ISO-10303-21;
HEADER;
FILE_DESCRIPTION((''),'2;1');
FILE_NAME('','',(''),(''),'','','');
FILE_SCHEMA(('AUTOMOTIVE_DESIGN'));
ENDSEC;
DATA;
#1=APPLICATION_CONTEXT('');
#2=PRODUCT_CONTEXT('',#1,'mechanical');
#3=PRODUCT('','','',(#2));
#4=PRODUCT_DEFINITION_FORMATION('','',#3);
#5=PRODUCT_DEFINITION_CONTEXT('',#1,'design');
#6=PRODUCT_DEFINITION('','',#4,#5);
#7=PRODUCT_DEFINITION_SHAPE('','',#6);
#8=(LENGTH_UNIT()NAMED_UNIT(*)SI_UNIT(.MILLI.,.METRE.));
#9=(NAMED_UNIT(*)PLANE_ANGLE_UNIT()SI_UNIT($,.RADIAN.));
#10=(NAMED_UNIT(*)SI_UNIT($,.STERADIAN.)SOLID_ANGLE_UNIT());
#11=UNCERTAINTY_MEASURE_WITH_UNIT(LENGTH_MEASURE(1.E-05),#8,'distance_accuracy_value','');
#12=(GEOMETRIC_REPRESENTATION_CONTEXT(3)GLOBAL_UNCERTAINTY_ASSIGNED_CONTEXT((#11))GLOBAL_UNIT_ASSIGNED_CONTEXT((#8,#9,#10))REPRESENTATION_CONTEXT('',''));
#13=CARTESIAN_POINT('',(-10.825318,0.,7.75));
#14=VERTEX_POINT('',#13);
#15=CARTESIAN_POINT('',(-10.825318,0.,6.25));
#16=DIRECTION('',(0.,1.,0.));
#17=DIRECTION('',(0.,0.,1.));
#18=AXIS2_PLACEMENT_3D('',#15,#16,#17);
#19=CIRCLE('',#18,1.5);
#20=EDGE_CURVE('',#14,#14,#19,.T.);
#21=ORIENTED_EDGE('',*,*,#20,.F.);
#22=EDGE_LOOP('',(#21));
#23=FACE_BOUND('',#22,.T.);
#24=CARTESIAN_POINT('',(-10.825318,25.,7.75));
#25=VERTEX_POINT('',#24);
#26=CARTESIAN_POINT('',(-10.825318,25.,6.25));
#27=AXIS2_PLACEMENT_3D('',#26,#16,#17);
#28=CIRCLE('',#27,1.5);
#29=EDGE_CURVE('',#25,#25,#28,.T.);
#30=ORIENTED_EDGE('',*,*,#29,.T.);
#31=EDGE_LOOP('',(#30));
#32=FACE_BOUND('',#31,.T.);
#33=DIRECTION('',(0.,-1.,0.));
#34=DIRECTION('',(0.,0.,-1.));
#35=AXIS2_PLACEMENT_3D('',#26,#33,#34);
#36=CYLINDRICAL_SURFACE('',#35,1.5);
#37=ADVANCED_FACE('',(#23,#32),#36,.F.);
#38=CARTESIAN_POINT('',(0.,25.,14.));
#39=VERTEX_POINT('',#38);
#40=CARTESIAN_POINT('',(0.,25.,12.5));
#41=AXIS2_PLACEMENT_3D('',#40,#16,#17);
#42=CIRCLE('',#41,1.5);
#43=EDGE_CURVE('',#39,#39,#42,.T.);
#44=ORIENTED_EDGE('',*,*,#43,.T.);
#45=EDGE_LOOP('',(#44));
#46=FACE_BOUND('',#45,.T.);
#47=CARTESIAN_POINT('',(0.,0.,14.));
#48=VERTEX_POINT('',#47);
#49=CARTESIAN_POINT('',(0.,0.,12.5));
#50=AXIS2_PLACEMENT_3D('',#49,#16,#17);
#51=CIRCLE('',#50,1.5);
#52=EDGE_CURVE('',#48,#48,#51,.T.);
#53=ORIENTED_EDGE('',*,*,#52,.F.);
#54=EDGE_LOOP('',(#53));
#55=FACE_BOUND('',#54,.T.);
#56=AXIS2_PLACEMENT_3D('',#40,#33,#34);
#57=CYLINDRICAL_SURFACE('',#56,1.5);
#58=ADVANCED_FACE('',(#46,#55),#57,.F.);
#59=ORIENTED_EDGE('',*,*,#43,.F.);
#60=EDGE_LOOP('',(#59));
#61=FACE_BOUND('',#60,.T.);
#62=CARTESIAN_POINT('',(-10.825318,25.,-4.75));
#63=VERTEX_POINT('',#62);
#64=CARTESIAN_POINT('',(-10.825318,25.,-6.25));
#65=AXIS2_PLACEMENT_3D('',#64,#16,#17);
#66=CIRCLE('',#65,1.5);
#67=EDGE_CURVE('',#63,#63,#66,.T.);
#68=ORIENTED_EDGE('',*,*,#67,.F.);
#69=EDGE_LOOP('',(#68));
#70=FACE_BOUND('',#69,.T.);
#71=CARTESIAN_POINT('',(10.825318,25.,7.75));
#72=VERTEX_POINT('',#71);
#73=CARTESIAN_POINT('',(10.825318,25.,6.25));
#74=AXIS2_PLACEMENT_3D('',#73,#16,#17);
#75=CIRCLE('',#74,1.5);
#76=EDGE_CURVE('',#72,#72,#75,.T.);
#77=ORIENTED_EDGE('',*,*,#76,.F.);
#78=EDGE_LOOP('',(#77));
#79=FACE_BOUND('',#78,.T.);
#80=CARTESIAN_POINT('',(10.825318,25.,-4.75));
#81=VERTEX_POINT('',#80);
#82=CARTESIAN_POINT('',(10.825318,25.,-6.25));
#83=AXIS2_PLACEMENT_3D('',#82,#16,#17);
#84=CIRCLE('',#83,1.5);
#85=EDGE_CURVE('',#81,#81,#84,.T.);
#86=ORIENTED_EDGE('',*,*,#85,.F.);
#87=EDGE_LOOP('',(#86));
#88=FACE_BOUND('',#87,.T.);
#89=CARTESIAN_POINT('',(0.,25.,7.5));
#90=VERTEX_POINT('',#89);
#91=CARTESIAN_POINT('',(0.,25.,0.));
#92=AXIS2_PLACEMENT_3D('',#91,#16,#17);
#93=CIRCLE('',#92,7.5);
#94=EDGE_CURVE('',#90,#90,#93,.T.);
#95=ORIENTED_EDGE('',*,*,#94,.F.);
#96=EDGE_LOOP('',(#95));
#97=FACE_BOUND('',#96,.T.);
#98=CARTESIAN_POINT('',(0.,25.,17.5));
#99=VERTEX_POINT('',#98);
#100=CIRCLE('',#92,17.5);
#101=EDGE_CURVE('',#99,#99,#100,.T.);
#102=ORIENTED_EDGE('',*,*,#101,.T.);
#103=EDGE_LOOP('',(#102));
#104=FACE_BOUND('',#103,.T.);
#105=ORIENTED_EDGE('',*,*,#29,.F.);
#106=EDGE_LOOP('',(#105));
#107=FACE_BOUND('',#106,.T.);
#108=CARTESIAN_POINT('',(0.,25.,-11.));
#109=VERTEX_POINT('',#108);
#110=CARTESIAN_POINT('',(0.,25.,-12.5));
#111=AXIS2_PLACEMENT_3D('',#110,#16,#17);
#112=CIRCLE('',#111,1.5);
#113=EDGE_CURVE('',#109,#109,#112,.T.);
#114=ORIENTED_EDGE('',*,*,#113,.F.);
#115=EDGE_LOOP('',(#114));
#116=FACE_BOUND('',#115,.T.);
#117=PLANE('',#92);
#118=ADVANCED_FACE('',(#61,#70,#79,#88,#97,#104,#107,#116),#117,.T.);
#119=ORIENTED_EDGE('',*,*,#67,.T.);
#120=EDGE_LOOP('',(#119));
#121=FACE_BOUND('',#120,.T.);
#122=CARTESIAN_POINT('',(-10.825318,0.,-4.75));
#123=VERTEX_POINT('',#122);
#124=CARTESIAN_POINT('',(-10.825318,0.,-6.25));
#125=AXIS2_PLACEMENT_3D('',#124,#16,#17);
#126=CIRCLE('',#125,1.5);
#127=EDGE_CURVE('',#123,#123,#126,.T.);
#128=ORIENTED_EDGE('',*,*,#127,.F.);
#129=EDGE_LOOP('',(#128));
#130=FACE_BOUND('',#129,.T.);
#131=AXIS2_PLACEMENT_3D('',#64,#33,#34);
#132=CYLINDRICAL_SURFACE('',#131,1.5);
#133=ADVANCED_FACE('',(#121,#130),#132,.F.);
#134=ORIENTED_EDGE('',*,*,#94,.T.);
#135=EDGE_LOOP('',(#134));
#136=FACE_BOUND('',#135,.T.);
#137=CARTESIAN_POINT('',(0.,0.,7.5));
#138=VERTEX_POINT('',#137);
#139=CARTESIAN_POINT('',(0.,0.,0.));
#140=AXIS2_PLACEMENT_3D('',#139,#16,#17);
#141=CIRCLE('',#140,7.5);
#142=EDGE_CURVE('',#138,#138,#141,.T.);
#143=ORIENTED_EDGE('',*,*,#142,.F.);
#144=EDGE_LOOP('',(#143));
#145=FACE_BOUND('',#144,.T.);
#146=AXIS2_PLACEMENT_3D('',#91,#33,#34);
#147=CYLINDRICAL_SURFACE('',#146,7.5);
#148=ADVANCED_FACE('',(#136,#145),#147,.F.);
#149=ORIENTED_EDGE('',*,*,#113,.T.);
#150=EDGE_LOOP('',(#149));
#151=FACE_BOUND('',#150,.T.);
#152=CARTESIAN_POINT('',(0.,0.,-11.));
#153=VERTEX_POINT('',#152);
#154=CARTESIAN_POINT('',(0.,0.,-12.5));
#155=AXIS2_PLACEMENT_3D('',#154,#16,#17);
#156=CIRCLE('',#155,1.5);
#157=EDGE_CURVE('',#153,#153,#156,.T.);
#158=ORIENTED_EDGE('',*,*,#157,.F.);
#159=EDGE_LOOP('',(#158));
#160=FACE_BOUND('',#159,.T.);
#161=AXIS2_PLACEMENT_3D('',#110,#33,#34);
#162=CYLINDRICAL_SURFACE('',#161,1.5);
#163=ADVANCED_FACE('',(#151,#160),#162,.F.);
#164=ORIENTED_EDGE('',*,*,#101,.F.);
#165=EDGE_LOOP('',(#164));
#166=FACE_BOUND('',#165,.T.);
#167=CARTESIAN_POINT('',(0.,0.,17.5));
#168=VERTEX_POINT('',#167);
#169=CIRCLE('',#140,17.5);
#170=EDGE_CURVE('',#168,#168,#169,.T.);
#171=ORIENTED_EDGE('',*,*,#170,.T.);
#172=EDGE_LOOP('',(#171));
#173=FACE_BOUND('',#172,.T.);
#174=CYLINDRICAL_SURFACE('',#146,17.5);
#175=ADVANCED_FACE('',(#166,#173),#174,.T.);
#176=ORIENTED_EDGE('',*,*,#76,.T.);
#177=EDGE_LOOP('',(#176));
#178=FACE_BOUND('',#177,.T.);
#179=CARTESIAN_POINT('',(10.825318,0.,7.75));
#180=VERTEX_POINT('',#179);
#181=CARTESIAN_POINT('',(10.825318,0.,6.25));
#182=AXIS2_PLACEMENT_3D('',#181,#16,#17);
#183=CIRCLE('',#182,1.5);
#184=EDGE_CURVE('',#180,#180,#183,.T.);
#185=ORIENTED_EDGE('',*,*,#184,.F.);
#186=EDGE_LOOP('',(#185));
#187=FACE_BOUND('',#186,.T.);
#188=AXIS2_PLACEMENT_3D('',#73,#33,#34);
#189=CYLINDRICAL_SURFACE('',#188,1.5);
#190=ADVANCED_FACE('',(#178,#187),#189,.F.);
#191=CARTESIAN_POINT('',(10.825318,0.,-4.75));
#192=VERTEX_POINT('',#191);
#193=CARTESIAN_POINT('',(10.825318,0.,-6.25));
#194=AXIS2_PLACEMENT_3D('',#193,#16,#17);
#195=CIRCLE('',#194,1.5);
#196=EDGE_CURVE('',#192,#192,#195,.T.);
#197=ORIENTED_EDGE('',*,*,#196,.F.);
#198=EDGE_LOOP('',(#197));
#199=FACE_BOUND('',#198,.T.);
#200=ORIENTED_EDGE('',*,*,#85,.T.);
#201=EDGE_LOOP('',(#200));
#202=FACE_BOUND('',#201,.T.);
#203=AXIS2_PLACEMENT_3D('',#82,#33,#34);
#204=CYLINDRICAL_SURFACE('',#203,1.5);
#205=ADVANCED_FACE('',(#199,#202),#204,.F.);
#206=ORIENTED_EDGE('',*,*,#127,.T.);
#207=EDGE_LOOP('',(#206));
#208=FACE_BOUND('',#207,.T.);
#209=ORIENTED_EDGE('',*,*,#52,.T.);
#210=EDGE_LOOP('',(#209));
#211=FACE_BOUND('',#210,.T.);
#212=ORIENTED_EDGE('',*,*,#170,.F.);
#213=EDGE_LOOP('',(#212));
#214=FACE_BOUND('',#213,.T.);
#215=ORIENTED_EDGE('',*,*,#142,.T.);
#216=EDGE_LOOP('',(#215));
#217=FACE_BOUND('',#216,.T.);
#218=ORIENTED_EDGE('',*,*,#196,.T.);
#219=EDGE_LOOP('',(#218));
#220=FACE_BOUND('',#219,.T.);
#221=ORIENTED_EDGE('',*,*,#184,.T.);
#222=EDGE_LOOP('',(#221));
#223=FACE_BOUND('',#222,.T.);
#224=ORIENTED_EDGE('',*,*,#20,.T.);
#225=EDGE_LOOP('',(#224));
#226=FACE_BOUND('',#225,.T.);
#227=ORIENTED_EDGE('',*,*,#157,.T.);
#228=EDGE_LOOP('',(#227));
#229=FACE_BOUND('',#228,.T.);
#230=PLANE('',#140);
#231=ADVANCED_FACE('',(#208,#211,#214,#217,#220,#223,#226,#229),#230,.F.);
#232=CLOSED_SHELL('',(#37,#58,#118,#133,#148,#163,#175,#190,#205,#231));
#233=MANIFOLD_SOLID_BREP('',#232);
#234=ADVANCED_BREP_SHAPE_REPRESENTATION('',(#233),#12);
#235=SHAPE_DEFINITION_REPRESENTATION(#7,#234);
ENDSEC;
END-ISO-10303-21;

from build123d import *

# Parameters (mm, degrees)
SKETCH1_R           = 17.5
SKETCH1_R_2         = 1.5
SKETCH1_R_3         = 7.5
BOSS_EXTRUDE1_DEPTH = 25


with BuildPart() as part:
    # Sketch1 → Boss-Extrude1 (new body)
    with BuildSketch(Plane(origin=(0, 0, 0), x_dir=(1, 0, 0), z_dir=(0, 1, 0))):
        with Locations(Location((0, 0, 0), (0, 0, 270))):
            Circle(SKETCH1_R)
        with Locations(Location((0, 12.5, 0), (0, 0, 270))):
            Circle(SKETCH1_R_2, mode=Mode.SUBTRACT)
        with Locations(Location((10.825317547, 6.25, 0), (0, 0, 270))):
            Circle(SKETCH1_R_2, mode=Mode.SUBTRACT)
        with Locations(Location((10.825317547, -6.25, 0), (0, 0, 270))):
            Circle(SKETCH1_R_2, mode=Mode.SUBTRACT)
        with Locations(Location((0, -12.5, 0), (0, 0, 270))):
            Circle(SKETCH1_R_2, mode=Mode.SUBTRACT)
        with Locations(Location((-10.825317547, -6.25, 0), (0, 0, 270))):
            Circle(SKETCH1_R_2, mode=Mode.SUBTRACT)
        with Locations(Location((-10.825317547, 6.25, 0), (0, 0, 270))):
            Circle(SKETCH1_R_2, mode=Mode.SUBTRACT)
        with Locations(Location((0, 0, 0), (0, 0, 270))):
            Circle(SKETCH1_R_3, mode=Mode.SUBTRACT)
    extrude(amount=BOSS_EXTRUDE1_DEPTH)


solid = part.part
